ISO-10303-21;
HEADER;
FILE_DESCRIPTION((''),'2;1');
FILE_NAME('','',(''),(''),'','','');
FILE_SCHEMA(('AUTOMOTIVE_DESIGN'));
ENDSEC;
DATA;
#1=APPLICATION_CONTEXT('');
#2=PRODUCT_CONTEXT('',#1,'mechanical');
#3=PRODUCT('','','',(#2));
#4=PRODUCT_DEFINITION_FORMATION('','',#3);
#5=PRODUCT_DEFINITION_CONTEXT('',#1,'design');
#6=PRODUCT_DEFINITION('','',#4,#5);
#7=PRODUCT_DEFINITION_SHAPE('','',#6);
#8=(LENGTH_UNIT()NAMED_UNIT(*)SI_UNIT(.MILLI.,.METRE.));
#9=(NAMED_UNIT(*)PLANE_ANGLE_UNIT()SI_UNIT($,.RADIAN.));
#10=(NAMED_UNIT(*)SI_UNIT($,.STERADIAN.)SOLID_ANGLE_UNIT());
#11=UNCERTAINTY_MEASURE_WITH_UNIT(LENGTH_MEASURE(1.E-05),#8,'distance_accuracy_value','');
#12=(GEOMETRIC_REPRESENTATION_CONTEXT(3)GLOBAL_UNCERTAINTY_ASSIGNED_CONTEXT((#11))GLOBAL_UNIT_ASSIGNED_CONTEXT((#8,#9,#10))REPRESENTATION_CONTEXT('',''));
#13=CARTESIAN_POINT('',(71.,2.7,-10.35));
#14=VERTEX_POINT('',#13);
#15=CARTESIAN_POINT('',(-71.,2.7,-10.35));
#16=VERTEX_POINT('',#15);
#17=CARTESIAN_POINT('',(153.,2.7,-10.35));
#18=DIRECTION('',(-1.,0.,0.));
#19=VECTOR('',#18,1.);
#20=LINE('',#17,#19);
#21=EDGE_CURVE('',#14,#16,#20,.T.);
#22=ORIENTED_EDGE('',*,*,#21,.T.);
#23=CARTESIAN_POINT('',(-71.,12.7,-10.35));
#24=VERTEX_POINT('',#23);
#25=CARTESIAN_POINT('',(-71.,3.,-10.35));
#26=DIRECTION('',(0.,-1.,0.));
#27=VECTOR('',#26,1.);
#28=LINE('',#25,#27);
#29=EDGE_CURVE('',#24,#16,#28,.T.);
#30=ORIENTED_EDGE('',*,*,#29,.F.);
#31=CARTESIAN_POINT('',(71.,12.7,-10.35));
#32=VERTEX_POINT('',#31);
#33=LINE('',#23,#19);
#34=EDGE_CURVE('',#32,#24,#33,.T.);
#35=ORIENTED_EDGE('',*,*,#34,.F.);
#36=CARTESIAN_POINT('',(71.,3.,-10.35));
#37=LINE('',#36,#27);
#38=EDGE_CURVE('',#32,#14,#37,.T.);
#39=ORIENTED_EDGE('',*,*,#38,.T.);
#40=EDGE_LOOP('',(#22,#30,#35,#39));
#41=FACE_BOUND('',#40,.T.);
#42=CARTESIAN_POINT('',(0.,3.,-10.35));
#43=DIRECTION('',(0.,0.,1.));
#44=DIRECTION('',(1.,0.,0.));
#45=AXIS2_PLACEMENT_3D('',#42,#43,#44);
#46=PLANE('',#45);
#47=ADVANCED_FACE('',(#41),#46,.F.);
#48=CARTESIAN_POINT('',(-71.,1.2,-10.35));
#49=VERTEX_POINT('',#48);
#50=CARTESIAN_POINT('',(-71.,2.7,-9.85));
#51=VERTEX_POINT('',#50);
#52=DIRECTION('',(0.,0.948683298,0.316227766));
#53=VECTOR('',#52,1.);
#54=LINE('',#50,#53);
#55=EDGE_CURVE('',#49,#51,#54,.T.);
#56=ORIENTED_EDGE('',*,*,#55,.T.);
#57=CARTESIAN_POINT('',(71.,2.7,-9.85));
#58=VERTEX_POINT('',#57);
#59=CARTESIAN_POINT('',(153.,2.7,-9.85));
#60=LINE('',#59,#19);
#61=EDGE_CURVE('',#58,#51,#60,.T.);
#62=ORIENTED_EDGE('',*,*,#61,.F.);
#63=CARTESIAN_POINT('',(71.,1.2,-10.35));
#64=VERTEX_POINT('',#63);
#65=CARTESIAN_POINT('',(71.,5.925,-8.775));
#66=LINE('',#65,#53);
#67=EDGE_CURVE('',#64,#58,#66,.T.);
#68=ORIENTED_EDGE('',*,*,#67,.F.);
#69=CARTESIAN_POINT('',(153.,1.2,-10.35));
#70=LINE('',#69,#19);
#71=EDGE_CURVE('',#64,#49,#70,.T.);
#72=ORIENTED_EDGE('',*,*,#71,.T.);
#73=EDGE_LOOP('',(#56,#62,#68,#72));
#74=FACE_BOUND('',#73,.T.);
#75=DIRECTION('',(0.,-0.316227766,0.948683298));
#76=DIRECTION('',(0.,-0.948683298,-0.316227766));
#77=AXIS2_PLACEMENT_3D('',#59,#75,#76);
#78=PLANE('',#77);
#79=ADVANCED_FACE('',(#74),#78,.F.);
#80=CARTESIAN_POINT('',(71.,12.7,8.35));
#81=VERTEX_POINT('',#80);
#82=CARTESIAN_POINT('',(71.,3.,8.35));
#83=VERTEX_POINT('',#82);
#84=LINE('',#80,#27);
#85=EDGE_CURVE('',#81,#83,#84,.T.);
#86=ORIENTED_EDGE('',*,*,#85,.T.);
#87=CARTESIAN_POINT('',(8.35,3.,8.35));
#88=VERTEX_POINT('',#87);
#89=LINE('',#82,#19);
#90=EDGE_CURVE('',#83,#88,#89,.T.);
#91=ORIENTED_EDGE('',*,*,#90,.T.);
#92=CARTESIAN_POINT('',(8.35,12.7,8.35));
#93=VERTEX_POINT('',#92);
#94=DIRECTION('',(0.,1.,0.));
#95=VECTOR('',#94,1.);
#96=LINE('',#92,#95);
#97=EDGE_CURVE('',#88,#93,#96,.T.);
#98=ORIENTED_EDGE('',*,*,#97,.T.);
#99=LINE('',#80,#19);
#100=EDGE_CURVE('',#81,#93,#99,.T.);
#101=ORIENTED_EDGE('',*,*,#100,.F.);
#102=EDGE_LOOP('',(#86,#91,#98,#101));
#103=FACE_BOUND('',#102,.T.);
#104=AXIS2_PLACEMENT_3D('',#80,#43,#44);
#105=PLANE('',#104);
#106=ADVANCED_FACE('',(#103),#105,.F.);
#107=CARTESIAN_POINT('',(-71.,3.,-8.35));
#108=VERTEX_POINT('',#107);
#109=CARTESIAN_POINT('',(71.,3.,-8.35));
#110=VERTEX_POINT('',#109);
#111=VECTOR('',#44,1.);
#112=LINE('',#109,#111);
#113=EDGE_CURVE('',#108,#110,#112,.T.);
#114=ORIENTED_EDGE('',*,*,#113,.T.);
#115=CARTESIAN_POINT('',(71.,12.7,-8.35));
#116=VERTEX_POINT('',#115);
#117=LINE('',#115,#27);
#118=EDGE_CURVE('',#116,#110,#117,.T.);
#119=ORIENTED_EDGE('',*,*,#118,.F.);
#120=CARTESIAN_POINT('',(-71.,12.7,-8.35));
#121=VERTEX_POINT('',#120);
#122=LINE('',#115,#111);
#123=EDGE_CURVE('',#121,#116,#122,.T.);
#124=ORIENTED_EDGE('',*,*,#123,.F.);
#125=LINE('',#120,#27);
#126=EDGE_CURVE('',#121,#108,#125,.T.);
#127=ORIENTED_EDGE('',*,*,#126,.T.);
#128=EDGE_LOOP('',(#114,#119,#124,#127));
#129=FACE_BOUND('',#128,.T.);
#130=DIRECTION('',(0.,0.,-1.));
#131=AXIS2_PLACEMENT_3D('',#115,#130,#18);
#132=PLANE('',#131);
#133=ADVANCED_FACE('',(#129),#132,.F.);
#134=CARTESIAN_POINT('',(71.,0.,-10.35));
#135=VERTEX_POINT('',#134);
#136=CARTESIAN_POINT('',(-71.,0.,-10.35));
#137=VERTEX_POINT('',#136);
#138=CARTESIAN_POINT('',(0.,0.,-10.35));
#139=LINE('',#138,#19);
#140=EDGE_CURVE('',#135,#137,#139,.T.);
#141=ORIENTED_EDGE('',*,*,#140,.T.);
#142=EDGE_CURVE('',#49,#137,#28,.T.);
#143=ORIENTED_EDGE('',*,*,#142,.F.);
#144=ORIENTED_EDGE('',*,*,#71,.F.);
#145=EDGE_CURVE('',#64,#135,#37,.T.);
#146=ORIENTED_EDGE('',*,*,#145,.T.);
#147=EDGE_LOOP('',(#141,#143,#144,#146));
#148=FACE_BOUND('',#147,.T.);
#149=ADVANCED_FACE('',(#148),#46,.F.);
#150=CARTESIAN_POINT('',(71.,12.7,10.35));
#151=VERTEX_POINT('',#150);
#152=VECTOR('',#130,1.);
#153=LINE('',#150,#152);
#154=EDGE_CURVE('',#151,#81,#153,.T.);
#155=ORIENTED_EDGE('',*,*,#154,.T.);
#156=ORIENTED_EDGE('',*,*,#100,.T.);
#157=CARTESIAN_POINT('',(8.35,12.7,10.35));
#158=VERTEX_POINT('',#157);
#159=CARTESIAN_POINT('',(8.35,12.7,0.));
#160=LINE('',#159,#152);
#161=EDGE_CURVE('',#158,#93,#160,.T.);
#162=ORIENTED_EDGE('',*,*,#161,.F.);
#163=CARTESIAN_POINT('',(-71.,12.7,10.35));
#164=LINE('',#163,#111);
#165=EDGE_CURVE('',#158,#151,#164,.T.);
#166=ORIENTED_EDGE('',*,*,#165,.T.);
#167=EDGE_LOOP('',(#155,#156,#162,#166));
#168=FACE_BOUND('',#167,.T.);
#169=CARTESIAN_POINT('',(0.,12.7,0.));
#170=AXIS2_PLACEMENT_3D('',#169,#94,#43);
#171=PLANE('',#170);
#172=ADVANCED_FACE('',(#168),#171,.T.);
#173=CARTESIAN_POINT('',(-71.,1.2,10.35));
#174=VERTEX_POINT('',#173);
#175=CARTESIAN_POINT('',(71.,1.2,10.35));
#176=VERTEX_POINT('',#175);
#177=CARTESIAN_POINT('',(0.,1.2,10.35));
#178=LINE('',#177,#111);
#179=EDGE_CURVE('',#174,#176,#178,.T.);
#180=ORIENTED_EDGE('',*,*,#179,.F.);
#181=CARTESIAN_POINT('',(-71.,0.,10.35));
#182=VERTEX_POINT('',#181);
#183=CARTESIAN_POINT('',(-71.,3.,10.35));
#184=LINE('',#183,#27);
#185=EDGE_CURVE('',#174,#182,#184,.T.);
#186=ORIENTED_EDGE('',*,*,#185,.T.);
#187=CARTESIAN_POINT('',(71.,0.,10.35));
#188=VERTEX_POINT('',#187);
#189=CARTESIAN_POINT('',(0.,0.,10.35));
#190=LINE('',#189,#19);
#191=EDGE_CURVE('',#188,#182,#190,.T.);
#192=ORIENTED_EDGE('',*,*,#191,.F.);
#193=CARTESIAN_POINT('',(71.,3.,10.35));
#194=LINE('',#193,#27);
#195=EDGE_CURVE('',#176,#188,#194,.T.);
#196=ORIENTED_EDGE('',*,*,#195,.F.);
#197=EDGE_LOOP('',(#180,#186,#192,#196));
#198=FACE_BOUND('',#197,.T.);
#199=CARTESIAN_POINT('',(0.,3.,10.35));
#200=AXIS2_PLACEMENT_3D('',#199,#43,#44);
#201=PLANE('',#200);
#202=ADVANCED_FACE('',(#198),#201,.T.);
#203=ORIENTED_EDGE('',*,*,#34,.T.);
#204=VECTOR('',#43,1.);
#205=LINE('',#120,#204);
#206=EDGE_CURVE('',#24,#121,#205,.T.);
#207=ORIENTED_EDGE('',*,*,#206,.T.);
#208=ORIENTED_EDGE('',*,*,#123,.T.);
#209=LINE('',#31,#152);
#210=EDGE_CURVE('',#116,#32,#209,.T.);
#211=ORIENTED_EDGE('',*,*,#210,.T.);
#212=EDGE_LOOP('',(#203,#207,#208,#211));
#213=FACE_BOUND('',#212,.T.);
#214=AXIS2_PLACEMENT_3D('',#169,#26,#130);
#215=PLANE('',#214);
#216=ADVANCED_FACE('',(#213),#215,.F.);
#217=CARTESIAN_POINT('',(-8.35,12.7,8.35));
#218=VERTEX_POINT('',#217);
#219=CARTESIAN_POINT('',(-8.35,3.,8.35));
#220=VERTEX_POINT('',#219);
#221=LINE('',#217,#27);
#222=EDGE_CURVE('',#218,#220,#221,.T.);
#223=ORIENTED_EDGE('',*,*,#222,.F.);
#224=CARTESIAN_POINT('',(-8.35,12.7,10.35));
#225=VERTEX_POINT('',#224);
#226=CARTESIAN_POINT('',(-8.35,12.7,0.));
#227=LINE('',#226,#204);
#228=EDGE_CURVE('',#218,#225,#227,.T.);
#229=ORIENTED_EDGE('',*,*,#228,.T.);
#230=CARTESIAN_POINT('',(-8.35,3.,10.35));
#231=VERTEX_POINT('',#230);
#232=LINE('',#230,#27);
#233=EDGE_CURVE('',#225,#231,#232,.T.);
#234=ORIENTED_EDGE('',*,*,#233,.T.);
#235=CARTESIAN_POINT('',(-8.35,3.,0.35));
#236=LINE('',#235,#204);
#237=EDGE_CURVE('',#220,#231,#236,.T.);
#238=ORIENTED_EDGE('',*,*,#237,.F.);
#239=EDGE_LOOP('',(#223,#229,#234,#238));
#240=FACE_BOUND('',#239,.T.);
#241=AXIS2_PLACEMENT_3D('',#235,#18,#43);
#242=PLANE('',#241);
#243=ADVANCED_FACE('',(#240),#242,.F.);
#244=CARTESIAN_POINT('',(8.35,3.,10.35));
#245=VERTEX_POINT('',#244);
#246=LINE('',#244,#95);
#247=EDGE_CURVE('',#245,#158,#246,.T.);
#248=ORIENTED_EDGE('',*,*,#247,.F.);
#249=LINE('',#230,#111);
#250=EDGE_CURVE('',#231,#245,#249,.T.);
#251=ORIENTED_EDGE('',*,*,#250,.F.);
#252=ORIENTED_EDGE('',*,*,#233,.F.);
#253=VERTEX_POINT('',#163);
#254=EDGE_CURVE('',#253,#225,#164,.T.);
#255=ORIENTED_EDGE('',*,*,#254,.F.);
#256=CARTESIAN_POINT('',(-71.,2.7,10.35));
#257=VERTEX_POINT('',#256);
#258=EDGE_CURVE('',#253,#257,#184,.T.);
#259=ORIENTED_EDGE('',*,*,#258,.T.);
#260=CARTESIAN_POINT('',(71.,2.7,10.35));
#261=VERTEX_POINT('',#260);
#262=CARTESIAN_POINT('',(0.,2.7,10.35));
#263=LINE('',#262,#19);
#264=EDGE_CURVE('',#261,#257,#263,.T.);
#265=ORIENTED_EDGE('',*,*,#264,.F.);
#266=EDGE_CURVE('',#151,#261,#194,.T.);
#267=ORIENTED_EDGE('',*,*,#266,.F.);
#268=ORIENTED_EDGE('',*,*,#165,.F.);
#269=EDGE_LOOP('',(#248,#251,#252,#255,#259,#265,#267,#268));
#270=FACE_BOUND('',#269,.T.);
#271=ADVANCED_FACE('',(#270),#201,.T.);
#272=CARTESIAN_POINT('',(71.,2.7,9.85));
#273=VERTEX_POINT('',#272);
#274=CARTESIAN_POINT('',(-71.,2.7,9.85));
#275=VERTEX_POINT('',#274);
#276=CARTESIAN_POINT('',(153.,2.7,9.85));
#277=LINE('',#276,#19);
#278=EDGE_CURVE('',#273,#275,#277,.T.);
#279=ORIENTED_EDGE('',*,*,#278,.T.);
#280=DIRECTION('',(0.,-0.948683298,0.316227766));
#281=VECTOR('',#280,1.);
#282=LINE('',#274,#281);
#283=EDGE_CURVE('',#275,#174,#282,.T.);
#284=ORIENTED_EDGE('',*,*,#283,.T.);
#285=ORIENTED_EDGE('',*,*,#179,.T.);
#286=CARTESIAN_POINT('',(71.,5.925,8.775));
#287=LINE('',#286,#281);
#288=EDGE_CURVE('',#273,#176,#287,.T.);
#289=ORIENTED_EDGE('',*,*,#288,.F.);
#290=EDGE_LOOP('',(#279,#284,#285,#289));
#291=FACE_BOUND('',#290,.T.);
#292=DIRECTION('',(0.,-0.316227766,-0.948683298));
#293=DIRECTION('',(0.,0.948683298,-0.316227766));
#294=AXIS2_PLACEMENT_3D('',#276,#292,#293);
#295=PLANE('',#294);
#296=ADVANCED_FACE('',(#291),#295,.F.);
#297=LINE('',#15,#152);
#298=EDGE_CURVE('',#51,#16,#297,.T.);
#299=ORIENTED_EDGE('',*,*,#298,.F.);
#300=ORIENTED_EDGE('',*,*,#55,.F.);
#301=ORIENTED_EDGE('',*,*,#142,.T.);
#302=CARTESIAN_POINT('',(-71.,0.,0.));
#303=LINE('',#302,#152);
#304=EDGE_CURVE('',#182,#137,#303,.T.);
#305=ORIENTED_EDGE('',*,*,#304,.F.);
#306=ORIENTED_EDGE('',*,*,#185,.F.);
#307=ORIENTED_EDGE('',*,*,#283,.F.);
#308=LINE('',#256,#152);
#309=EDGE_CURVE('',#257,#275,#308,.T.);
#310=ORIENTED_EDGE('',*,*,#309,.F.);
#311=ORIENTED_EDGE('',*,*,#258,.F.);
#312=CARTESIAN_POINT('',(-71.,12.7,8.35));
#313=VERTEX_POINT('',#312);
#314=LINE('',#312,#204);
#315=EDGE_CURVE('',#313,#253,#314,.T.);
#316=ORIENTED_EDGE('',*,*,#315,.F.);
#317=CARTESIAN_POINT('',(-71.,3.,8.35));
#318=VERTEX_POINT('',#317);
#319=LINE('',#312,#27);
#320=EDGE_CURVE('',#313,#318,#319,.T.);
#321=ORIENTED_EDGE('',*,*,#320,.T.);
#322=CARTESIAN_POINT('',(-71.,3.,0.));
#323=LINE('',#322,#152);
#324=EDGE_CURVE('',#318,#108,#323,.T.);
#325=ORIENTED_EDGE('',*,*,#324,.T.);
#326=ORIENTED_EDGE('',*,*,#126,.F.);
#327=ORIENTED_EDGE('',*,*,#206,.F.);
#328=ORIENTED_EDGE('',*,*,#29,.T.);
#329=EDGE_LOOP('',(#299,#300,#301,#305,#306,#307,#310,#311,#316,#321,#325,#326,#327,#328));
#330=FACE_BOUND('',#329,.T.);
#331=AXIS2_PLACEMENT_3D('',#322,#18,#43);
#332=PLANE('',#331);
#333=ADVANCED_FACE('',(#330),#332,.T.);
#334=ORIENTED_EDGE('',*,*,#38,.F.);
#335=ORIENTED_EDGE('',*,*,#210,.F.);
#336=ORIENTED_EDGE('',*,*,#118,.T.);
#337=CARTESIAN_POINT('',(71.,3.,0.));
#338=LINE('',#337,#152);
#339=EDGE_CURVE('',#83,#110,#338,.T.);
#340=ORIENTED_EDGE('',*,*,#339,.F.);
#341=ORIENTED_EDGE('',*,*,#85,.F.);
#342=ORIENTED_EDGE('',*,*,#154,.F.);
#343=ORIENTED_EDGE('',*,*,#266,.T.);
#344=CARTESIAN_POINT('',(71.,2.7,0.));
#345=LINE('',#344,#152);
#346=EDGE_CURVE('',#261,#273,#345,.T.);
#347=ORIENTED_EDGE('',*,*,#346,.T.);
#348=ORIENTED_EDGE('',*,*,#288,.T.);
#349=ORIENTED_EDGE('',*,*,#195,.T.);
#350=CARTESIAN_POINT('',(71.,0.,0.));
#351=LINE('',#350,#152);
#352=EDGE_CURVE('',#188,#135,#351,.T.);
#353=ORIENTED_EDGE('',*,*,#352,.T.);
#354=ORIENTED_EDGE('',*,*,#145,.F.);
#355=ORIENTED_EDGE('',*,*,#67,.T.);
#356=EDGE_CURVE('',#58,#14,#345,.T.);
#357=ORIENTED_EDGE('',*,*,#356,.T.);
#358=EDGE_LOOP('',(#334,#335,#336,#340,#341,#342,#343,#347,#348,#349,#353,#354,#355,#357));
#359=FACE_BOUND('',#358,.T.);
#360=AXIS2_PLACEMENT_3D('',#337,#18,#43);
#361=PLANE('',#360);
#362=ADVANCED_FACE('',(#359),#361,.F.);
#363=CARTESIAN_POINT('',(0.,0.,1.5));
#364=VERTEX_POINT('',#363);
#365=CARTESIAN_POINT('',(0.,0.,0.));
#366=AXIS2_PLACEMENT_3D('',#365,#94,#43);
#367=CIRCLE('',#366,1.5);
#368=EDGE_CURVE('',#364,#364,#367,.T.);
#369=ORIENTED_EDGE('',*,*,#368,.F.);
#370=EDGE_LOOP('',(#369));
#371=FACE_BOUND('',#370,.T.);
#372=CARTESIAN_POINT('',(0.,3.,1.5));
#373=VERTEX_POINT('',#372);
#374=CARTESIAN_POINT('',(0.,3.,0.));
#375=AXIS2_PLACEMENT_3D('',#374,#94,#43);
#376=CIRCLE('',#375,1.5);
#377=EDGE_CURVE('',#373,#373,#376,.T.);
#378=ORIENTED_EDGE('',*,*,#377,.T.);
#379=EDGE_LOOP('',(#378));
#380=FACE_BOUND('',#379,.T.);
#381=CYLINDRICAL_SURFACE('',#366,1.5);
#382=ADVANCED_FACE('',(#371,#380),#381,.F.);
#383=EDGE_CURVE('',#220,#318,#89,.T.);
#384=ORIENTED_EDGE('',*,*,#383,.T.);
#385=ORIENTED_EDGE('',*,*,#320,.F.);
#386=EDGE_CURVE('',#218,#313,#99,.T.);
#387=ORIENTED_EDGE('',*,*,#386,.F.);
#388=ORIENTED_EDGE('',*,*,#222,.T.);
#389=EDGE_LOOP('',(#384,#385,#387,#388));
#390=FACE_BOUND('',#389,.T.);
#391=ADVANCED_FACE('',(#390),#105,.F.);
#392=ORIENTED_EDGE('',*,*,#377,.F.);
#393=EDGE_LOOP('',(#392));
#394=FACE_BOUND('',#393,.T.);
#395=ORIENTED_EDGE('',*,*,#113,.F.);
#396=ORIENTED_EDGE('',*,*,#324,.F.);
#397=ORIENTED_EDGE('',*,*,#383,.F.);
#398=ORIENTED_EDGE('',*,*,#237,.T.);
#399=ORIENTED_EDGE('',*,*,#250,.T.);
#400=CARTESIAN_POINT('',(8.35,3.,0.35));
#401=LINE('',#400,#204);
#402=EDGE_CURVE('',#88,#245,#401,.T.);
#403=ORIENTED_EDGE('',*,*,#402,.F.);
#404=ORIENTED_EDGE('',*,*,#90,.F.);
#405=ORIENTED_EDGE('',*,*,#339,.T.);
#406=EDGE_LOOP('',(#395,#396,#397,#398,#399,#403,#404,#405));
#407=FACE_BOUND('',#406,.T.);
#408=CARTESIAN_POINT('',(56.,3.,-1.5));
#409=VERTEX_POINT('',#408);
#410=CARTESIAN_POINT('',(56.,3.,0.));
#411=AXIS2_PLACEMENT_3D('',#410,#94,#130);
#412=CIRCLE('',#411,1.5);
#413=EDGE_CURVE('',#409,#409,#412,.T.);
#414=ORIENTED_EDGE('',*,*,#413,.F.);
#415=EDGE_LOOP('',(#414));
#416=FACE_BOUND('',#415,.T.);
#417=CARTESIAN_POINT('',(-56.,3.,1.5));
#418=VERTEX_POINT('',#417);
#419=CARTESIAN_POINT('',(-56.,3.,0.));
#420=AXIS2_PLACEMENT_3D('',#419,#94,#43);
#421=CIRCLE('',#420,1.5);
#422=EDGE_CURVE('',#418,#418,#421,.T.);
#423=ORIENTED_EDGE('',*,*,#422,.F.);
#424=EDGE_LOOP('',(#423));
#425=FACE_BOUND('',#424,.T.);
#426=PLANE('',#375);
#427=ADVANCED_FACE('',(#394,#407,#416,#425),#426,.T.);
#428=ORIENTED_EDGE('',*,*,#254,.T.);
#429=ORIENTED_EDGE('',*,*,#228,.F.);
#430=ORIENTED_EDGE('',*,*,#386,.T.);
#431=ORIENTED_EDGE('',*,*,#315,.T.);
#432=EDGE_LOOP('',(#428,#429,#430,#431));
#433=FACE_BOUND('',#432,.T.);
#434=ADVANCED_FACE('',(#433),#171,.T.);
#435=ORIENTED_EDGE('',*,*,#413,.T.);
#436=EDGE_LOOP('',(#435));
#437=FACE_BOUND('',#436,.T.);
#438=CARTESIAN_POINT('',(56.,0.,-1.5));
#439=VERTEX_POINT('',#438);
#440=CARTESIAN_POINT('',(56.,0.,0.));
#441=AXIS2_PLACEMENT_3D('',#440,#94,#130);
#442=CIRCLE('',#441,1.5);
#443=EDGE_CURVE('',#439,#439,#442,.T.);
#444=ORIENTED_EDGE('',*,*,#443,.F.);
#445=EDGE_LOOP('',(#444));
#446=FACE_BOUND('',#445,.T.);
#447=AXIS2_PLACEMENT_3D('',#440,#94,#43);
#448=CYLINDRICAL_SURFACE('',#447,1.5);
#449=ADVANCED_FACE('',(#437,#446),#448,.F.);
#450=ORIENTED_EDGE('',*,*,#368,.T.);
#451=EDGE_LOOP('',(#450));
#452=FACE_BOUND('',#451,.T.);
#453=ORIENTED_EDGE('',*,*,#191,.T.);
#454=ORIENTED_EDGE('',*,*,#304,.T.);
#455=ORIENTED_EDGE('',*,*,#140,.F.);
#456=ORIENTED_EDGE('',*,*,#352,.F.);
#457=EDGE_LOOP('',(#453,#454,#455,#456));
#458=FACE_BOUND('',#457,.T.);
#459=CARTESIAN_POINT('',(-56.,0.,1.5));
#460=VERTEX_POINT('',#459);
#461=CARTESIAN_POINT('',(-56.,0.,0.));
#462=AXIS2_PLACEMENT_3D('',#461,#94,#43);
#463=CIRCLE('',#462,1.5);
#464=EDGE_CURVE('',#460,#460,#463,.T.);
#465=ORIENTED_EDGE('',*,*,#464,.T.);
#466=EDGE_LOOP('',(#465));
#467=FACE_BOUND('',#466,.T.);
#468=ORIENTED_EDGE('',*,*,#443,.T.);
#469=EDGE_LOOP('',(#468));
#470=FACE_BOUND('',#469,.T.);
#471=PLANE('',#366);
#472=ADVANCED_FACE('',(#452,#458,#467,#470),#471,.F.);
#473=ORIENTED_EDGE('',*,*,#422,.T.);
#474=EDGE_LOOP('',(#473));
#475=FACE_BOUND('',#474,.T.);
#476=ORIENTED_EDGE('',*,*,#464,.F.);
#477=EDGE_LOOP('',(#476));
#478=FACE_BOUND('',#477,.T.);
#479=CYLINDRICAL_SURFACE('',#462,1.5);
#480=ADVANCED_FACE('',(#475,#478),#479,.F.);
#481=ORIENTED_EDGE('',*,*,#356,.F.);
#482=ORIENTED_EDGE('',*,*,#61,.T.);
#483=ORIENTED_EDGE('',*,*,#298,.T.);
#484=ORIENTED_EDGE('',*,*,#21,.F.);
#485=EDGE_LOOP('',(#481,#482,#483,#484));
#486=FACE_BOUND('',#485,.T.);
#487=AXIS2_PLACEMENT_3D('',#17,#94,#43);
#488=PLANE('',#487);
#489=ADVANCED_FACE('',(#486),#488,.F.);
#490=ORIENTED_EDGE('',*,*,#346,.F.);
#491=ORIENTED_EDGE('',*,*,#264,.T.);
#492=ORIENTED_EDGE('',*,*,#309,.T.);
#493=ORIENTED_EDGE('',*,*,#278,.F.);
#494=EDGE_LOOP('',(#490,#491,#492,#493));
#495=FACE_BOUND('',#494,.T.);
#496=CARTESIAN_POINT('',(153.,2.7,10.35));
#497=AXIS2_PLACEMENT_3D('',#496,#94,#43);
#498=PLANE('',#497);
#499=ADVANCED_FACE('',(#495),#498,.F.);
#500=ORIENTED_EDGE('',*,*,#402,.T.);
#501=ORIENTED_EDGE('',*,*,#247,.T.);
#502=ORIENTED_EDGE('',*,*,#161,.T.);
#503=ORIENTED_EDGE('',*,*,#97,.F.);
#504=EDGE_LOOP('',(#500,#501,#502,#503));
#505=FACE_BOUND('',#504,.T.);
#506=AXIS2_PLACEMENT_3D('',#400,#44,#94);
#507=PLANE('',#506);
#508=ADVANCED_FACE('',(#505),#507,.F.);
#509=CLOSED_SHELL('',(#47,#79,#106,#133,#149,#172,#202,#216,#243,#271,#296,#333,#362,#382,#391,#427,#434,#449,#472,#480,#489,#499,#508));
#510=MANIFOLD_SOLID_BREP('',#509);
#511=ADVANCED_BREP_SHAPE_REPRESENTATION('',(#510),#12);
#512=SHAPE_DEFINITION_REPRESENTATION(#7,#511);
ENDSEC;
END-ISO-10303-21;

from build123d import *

# Parameters (mm, degrees)
CROQUIS1_W              = 142
CROQUIS1_H              = 20.7
SALIENTE_EXTRUIR2_DEPTH = 3
CROQUIS6_R              = 1.5
CORTAR_EXTRUIR4_DEPTH   = 3
CROQUIS7_W              = 142
CROQUIS7_H              = 2
SALIENTE_EXTRUIR3_DEPTH = 9.7
CORTAR_EXTRUIR5_DEPTH   = 224
CROQUIS10_W             = 16.7
CROQUIS10_H             = 9.7
CORTAR_EXTRUIR6_DEPTH   = 10


with BuildPart() as part:
    # Croquis1 → Saliente-Extruir2 (new body)
    with BuildSketch(Plane(origin=(0, 0, 0), x_dir=(1, 0, 0), z_dir=(0, 1, 0))):
        Rectangle(CROQUIS1_W, CROQUIS1_H)
    extrude(amount=SALIENTE_EXTRUIR2_DEPTH)

    # Croquis6 → Cortar-Extruir4 (cut)
    with BuildSketch(Plane(origin=(0, 3, 0), x_dir=(1, 0, 0), z_dir=(0, 1, 0))):
        with Locations((-56, 0)):
            Circle(CROQUIS6_R)
        Circle(CROQUIS6_R)
        with Locations((56, 0)):
            Circle(CROQUIS6_R)
    extrude(amount=-CORTAR_EXTRUIR4_DEPTH, mode=Mode.SUBTRACT)

    # Croquis7 → Saliente-Extruir3 (add)
    with BuildSketch(Plane(origin=(0, 3, 0), x_dir=(1, 0, 0), z_dir=(0, 1, 0))):
        with Locations((0, 9.35)):
            Rectangle(CROQUIS7_W, CROQUIS7_H)
        with Locations((0, -9.35)):
            Rectangle(CROQUIS7_W, CROQUIS7_H)
    extrude(amount=SALIENTE_EXTRUIR3_DEPTH)

    # Croquis9 → Cortar-Extruir5 (cut)
    with BuildSketch(Plane.ZY.offset(71)):
        Polygon((-10.35, 2.7), (-9.85, 2.7), (-10.35, 1.2), align=None)
        Polygon((10.35, 2.7), (9.85, 2.7), (10.35, 1.2), align=None)
    extrude(amount=-CORTAR_EXTRUIR5_DEPTH, mode=Mode.SUBTRACT)

    # Croquis10 → Cortar-Extruir6 (cut)
    with BuildSketch(Plane.XY.offset(10.35)):
        with Locations((0, 7.85)):
            Rectangle(CROQUIS10_W, CROQUIS10_H)
    extrude(amount=-CORTAR_EXTRUIR6_DEPTH, mode=Mode.SUBTRACT)


solid = part.part
